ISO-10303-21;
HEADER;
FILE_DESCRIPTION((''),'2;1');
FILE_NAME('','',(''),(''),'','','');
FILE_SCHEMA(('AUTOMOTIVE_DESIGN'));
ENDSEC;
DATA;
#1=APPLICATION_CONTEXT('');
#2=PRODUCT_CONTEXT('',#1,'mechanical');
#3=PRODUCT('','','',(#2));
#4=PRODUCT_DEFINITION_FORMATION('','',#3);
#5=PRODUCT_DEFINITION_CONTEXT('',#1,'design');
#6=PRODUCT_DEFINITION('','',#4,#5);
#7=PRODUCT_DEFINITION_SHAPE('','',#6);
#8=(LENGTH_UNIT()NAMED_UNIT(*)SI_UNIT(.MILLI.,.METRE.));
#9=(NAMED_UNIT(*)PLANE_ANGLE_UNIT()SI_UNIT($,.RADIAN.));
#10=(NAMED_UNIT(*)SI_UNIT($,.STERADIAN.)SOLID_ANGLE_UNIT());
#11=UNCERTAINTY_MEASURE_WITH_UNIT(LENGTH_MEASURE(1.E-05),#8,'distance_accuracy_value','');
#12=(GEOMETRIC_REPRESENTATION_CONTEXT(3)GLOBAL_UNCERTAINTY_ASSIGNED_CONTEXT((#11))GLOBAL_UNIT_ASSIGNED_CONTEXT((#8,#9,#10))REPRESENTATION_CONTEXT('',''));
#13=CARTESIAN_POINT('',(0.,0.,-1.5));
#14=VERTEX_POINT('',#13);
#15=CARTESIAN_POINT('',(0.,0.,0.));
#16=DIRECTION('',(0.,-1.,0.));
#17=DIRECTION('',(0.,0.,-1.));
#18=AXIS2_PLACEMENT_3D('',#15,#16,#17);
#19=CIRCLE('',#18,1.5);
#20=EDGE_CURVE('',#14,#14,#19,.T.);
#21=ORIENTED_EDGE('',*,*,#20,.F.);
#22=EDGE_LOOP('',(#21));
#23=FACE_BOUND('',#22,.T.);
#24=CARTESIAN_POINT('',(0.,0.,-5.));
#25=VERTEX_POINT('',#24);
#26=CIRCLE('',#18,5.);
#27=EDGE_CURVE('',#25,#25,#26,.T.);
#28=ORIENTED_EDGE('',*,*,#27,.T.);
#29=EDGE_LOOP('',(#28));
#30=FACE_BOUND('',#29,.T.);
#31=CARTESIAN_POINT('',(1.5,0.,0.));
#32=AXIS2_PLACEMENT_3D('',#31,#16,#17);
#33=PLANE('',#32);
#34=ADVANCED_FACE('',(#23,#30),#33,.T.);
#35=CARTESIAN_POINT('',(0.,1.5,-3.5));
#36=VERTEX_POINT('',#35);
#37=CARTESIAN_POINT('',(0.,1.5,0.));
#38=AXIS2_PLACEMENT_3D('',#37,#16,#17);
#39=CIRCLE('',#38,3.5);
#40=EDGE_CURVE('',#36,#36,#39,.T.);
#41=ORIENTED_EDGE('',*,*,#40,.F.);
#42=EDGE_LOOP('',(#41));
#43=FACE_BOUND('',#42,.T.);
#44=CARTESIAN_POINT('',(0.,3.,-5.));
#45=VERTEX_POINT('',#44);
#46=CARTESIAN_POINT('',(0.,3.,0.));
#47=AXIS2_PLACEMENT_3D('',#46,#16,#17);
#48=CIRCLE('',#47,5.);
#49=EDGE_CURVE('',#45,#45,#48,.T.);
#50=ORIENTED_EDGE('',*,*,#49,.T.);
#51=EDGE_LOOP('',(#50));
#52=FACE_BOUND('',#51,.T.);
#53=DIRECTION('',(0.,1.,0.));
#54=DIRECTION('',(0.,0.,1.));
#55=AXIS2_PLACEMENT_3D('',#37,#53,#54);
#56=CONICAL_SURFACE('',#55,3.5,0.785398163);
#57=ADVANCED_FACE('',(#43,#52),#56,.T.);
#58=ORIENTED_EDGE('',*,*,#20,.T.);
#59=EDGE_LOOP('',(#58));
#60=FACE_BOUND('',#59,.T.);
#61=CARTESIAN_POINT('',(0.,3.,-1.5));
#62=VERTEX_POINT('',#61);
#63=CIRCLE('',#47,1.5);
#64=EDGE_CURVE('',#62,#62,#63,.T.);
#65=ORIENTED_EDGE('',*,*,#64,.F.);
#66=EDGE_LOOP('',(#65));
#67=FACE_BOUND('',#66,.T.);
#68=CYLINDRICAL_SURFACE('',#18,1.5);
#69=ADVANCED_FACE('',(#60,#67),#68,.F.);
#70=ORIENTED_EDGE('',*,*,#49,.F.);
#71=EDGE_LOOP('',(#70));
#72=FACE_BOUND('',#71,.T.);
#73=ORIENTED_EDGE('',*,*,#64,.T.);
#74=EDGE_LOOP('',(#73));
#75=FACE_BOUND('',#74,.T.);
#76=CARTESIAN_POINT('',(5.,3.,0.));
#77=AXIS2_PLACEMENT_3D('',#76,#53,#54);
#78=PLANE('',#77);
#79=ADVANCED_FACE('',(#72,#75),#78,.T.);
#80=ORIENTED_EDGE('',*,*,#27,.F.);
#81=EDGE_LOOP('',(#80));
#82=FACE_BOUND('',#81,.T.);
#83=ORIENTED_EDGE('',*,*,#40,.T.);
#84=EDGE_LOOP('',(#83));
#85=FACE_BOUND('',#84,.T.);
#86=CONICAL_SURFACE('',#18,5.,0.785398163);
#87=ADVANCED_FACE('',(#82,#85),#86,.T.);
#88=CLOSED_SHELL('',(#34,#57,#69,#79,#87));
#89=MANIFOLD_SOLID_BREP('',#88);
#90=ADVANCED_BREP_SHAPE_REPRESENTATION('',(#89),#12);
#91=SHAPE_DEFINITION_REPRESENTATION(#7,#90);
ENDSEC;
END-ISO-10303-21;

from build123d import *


with BuildPart() as part:
    # Sketch1 → Revolve1 (revolve)
    with BuildSketch(Plane.XY, mode=Mode.PRIVATE) as revolve1_sk:
        Polygon((1.5, 0), (5, 0), (3.5, 1.5), (5, 3), (1.5, 3), align=None)
    revolve(revolve1_sk.sketch.rotate(Axis((0, 0, 0), (0, 1, 0)), 90), axis=Axis((0, 0, 0), (0, 1, 0)))


solid = part.part
